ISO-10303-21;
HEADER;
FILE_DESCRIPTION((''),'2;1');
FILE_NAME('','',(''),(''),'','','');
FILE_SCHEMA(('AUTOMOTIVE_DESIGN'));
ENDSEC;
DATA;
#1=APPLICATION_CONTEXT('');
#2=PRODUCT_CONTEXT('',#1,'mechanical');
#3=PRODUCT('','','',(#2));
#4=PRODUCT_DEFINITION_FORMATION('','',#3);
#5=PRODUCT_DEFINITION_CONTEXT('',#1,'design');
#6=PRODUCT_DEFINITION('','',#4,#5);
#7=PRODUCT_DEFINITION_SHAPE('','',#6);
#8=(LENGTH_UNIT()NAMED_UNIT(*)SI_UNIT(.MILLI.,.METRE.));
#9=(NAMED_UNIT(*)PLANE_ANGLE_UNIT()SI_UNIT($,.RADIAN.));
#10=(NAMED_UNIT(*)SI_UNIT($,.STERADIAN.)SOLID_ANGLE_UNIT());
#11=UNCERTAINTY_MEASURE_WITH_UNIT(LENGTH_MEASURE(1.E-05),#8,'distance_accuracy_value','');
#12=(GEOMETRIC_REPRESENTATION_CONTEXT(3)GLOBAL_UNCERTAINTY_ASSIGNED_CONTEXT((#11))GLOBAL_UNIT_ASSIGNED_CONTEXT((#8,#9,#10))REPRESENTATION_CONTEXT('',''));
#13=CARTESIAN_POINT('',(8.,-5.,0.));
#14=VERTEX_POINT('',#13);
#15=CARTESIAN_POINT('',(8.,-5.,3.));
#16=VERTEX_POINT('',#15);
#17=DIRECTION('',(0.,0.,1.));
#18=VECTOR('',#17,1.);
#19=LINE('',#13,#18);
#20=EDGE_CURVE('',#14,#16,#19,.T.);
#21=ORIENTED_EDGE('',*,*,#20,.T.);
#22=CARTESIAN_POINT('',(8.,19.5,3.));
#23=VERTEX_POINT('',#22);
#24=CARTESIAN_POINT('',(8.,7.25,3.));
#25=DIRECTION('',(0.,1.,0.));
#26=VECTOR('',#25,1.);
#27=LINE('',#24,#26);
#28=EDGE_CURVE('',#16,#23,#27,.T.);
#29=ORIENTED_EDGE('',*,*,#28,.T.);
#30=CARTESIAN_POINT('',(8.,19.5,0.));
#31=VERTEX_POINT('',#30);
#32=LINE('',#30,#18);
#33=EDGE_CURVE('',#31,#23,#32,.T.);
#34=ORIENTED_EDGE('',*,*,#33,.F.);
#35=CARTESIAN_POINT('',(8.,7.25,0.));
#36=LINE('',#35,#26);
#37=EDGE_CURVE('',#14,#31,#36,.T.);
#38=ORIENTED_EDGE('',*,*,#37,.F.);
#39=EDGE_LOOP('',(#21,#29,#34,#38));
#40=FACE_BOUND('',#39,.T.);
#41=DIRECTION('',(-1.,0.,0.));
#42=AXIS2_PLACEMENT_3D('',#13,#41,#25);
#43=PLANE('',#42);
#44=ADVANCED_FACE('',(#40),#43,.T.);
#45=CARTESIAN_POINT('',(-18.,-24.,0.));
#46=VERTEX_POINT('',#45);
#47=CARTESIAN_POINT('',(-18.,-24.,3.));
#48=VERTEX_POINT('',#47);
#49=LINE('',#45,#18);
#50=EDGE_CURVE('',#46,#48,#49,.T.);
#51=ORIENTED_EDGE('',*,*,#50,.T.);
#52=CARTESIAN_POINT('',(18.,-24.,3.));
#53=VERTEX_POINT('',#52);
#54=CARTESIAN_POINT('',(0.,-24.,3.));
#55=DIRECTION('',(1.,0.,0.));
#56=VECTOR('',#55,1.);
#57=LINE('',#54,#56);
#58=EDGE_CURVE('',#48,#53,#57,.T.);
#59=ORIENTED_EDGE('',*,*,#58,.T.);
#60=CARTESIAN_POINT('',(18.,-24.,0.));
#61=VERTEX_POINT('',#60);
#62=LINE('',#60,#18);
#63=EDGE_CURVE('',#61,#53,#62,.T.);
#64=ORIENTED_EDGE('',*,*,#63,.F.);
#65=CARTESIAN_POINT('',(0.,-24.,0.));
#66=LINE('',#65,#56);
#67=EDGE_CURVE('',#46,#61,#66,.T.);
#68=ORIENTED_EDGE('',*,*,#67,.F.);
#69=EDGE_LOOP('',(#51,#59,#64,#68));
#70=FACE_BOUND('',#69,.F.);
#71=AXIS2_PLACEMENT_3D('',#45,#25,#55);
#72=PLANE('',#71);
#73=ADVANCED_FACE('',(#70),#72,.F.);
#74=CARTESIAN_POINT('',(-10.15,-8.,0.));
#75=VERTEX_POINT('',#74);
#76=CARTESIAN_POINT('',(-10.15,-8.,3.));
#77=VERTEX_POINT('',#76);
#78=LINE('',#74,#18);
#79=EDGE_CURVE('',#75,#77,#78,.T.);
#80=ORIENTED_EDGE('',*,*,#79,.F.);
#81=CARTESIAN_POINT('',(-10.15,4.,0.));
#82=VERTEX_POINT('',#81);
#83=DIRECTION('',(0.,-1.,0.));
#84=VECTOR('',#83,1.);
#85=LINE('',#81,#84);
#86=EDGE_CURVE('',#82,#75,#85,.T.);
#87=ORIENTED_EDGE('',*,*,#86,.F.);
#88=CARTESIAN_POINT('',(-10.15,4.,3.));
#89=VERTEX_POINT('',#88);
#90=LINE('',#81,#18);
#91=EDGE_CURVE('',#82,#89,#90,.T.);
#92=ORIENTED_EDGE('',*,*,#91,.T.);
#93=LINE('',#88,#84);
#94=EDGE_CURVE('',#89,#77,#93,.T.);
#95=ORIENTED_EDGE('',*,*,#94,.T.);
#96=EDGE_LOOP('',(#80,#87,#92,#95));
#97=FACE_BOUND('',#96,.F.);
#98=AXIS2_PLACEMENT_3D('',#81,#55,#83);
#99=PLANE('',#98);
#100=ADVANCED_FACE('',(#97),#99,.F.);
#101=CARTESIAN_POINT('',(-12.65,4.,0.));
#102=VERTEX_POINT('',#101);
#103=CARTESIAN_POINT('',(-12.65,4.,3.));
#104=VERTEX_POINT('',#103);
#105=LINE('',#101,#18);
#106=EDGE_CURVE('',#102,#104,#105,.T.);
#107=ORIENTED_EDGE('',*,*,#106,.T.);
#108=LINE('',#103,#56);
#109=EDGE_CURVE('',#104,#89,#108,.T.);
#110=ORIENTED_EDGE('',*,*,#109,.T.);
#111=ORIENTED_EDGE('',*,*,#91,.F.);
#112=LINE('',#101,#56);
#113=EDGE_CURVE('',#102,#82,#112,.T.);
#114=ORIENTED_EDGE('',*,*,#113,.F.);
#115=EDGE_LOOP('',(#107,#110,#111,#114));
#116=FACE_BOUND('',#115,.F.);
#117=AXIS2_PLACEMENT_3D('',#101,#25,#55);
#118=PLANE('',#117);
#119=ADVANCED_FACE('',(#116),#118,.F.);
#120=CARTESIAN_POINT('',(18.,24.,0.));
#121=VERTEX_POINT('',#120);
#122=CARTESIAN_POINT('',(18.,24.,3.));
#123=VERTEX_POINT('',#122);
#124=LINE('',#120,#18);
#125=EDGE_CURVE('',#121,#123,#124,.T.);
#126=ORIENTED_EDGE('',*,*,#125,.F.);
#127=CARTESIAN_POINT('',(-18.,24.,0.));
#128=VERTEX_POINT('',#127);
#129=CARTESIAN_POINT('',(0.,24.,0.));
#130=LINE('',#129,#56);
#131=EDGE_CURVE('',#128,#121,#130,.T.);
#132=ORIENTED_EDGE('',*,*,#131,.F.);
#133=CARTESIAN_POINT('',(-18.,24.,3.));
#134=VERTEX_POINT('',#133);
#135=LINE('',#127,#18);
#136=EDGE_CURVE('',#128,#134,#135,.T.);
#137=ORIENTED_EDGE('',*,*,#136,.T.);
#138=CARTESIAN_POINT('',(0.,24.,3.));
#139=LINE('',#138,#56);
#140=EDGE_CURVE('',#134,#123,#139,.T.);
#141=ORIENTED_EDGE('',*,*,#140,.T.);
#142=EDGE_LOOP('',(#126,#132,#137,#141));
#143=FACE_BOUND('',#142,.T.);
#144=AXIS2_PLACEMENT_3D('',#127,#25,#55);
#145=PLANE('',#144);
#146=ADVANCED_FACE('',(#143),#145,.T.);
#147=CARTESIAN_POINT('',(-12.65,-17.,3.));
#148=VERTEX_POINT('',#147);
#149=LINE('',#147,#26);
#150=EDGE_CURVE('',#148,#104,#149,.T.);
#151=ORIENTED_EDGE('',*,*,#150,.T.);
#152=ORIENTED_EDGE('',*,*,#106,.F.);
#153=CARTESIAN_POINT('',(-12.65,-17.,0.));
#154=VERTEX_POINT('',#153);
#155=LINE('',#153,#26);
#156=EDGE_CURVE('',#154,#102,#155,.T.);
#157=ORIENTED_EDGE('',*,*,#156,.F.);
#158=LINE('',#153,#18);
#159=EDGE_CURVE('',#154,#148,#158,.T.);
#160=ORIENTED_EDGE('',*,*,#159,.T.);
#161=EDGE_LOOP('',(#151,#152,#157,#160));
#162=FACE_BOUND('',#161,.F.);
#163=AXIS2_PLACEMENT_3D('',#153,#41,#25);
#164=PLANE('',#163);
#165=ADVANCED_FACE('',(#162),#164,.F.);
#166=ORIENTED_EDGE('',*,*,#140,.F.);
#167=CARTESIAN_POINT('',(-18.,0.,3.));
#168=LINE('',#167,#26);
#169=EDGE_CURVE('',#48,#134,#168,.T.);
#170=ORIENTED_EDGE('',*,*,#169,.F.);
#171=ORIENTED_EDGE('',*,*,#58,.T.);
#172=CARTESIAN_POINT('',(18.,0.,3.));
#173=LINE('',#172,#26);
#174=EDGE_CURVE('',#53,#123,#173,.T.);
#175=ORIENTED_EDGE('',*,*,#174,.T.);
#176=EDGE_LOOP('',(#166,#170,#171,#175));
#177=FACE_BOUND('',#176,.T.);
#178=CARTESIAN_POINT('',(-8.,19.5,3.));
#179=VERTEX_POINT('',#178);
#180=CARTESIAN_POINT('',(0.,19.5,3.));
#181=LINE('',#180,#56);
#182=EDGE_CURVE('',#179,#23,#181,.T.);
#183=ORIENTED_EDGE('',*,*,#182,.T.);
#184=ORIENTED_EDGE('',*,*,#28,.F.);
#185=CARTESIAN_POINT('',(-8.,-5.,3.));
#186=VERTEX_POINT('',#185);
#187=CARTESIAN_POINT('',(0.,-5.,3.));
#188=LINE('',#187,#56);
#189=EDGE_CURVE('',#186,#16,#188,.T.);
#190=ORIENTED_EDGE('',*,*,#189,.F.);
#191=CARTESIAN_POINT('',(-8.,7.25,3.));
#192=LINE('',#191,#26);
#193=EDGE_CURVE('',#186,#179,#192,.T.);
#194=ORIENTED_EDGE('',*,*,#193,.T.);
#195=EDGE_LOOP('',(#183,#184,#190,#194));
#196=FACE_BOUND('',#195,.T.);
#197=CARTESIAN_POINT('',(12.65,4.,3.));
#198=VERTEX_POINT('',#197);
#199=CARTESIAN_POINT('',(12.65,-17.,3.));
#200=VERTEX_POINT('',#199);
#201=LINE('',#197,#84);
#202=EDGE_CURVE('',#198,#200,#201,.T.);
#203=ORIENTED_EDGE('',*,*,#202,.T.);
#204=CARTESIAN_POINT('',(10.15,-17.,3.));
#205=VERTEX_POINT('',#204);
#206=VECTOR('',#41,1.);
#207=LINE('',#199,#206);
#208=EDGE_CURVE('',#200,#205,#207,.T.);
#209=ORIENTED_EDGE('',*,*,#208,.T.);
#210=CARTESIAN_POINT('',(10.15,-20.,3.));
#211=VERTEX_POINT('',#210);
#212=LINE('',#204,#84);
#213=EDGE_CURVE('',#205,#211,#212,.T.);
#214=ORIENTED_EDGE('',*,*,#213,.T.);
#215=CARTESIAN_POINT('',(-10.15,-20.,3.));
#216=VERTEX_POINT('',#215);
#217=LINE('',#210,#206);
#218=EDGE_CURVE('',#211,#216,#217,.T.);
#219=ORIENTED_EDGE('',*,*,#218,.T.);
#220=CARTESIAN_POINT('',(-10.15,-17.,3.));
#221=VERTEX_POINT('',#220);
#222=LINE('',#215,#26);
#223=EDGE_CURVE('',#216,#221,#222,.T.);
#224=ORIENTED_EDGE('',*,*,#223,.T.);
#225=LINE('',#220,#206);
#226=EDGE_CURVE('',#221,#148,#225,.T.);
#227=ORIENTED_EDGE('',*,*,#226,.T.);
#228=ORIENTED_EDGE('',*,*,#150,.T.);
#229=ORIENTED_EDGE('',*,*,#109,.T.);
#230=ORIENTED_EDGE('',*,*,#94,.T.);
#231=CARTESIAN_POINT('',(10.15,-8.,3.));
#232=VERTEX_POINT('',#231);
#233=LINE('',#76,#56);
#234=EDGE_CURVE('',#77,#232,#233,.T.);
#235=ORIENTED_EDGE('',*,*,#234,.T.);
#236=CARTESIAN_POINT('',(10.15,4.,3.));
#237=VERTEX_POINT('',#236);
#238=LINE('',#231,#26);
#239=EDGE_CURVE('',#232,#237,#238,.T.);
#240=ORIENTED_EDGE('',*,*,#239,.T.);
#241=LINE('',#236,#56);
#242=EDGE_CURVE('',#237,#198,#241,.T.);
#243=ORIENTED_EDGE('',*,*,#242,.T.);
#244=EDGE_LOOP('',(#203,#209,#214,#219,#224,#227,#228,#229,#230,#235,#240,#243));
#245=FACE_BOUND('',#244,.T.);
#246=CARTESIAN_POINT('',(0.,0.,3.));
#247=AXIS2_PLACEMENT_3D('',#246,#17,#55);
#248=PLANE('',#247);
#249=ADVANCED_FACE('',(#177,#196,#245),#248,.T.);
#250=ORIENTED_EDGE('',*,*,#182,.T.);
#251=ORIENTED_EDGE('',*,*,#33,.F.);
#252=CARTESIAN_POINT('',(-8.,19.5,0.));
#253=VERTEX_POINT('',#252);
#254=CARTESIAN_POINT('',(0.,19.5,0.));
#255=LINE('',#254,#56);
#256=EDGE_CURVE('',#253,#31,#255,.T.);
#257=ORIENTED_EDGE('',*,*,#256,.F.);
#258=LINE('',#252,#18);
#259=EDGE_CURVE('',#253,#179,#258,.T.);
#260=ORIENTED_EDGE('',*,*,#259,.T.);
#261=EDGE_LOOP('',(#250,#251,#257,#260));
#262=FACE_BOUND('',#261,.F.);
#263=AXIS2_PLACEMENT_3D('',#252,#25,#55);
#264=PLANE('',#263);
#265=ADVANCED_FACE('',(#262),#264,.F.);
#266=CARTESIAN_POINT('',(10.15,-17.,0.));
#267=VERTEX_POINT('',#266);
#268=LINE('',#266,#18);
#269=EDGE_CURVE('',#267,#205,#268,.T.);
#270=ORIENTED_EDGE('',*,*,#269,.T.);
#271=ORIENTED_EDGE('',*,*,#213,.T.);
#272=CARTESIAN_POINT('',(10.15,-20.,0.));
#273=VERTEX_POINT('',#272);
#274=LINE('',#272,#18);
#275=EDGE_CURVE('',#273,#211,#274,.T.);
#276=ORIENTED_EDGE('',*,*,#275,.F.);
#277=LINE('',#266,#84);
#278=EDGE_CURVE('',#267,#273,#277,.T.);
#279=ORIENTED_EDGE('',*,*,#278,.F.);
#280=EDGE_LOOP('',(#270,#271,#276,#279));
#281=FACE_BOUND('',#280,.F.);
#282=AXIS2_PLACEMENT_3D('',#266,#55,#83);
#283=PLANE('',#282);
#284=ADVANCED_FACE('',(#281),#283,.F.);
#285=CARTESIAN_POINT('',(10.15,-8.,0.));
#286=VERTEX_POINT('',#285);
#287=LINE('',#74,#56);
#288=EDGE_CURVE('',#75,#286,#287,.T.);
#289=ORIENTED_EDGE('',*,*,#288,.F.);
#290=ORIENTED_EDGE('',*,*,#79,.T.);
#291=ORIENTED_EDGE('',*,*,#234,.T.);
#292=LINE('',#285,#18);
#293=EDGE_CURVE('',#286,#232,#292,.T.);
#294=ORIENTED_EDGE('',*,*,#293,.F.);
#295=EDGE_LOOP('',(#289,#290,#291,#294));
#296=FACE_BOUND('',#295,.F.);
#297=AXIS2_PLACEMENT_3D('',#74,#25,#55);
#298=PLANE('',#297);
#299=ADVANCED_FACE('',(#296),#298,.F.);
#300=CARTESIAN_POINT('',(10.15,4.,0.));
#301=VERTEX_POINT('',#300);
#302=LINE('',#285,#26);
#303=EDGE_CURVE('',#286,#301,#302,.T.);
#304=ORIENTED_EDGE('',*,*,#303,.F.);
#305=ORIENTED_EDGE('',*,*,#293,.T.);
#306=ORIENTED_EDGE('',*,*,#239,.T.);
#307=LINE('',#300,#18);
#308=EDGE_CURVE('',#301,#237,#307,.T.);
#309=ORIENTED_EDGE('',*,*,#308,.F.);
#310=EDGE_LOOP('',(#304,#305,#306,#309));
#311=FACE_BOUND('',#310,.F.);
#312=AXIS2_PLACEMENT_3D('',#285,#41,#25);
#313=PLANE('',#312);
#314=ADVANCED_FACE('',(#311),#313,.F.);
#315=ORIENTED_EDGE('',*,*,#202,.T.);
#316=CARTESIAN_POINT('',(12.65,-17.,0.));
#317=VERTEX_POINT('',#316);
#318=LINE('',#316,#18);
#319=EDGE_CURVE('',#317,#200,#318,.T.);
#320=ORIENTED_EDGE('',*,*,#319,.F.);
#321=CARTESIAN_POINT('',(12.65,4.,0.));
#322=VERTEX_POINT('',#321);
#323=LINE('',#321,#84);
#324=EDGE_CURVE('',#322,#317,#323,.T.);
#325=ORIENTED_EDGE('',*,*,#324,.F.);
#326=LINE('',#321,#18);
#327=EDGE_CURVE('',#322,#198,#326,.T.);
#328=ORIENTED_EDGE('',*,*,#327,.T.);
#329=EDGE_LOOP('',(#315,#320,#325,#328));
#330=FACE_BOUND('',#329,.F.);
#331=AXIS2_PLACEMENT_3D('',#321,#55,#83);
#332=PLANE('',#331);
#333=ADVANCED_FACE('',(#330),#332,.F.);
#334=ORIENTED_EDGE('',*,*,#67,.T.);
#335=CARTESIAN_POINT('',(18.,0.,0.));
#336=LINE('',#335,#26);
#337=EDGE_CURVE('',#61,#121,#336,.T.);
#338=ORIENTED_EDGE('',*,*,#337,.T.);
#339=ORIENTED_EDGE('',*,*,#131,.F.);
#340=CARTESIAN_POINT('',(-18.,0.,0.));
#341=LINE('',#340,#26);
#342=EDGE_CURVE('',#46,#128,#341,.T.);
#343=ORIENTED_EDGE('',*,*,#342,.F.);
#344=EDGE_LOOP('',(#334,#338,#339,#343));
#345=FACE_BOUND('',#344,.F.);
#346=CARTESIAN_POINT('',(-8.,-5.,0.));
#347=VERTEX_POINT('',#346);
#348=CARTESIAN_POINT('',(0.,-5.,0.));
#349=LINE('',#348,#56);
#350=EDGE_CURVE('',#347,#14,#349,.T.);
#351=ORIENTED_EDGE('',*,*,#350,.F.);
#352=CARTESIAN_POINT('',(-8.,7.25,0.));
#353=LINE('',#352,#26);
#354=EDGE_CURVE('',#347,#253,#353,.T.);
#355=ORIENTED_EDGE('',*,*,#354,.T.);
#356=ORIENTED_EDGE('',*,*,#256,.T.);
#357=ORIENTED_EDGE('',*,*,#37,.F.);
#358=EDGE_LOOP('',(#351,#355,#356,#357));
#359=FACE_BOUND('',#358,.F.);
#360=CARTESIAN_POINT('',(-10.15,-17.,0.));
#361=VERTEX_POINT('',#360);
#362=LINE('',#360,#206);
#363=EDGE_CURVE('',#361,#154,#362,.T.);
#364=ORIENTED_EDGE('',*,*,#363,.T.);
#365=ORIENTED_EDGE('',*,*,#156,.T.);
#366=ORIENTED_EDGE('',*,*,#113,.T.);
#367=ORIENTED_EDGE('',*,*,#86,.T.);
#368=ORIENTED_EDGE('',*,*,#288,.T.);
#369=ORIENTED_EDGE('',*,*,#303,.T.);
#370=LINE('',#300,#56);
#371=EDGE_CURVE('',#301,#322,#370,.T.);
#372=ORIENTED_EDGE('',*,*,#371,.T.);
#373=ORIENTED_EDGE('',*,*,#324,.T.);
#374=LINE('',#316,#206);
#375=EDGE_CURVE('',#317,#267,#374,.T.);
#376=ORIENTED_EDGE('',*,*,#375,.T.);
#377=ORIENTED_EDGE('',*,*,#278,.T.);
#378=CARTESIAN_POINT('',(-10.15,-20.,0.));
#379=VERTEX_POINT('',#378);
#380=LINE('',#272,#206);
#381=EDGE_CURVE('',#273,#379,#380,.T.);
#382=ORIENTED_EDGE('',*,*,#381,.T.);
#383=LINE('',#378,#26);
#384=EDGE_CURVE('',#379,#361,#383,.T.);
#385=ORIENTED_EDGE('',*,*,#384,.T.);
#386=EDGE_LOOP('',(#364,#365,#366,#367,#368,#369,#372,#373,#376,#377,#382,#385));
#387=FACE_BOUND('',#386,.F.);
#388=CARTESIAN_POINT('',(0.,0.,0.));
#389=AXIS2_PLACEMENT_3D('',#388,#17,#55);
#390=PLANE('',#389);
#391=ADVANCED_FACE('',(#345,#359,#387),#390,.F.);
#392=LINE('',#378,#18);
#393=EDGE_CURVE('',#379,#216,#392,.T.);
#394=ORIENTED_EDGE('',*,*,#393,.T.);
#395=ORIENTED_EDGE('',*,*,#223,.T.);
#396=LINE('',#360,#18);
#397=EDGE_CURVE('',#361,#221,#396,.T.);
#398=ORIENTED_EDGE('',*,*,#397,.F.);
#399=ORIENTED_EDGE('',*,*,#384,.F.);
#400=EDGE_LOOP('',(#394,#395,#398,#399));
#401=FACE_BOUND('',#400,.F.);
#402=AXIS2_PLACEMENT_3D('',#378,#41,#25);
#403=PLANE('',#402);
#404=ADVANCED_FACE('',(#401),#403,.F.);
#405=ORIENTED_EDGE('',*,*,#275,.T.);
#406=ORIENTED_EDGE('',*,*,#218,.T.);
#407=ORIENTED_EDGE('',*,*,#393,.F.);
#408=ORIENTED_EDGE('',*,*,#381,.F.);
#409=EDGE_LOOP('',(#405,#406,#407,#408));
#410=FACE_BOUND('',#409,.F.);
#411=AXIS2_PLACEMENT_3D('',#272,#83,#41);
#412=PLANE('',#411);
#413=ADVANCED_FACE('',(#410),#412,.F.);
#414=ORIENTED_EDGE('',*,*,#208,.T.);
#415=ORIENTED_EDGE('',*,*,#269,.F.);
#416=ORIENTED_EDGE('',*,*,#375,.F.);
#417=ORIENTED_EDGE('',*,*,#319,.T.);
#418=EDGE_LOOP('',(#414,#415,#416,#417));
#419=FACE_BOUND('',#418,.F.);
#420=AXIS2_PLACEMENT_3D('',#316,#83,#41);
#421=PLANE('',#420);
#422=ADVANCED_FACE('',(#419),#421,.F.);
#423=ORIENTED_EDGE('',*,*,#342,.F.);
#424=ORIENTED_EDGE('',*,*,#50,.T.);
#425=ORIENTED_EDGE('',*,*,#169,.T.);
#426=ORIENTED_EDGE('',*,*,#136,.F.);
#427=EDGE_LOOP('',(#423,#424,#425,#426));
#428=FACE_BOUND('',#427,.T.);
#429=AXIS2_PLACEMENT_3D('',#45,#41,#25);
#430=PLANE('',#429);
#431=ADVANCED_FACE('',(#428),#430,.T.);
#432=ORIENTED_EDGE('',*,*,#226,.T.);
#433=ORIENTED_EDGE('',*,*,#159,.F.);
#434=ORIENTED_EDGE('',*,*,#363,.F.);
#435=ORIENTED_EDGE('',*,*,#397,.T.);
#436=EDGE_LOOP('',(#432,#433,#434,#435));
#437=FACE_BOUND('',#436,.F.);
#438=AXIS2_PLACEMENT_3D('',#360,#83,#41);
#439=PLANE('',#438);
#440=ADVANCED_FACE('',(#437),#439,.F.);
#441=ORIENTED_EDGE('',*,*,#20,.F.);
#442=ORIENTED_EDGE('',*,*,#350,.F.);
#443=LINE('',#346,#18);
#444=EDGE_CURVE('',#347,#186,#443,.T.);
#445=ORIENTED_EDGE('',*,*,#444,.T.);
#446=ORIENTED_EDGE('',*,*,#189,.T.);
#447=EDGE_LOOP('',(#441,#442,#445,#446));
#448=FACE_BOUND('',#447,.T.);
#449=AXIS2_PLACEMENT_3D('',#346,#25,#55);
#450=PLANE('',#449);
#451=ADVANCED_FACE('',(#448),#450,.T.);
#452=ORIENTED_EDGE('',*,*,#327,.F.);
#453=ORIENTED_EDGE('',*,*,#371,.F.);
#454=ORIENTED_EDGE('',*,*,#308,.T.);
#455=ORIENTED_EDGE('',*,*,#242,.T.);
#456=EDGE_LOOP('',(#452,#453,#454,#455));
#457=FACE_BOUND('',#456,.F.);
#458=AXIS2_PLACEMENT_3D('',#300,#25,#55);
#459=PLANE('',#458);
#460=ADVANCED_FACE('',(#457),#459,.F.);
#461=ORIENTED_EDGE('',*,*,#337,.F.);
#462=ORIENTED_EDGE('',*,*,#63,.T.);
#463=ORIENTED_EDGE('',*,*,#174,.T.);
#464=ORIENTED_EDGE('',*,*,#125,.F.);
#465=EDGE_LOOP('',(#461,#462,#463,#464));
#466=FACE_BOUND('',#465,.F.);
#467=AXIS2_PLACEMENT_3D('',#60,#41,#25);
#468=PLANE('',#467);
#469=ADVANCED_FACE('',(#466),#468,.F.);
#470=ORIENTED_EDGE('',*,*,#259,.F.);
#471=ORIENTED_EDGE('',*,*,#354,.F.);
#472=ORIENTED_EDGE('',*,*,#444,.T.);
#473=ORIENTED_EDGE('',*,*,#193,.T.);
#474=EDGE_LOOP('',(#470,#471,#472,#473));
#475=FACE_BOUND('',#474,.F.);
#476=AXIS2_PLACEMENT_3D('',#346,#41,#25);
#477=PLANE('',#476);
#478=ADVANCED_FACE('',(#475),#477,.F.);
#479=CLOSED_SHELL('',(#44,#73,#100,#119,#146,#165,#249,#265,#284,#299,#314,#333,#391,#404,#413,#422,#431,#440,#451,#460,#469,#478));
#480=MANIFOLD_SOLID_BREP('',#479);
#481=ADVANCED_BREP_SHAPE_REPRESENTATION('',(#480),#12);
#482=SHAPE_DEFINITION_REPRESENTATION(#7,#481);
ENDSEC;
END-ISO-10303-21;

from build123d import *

# Parameters (mm, degrees)
SKETCH_W   = 36
SKETCH_H   = 48
SKETCH_W_2 = 16
SKETCH_H_2 = 24.5
PAD_DEPTH  = 3


with BuildPart() as part:
    # Sketch → Pad (new body)
    with BuildSketch(Plane.XY):
        Rectangle(SKETCH_W, SKETCH_H)
        Polygon((-12.65, 4), (-10.15, 4), (-10.15, -8), (10.15, -8), (10.15, 4), (12.65, 4), (12.65, -17), (10.15, -17), (10.15, -20), (-10.15, -20), (-10.15, -17), (-12.65, -17), align=None, mode=Mode.SUBTRACT)
        with Locations((0, 7.25)):
            Rectangle(SKETCH_W_2, SKETCH_H_2, mode=Mode.SUBTRACT)
    extrude(amount=PAD_DEPTH)


solid = part.part
